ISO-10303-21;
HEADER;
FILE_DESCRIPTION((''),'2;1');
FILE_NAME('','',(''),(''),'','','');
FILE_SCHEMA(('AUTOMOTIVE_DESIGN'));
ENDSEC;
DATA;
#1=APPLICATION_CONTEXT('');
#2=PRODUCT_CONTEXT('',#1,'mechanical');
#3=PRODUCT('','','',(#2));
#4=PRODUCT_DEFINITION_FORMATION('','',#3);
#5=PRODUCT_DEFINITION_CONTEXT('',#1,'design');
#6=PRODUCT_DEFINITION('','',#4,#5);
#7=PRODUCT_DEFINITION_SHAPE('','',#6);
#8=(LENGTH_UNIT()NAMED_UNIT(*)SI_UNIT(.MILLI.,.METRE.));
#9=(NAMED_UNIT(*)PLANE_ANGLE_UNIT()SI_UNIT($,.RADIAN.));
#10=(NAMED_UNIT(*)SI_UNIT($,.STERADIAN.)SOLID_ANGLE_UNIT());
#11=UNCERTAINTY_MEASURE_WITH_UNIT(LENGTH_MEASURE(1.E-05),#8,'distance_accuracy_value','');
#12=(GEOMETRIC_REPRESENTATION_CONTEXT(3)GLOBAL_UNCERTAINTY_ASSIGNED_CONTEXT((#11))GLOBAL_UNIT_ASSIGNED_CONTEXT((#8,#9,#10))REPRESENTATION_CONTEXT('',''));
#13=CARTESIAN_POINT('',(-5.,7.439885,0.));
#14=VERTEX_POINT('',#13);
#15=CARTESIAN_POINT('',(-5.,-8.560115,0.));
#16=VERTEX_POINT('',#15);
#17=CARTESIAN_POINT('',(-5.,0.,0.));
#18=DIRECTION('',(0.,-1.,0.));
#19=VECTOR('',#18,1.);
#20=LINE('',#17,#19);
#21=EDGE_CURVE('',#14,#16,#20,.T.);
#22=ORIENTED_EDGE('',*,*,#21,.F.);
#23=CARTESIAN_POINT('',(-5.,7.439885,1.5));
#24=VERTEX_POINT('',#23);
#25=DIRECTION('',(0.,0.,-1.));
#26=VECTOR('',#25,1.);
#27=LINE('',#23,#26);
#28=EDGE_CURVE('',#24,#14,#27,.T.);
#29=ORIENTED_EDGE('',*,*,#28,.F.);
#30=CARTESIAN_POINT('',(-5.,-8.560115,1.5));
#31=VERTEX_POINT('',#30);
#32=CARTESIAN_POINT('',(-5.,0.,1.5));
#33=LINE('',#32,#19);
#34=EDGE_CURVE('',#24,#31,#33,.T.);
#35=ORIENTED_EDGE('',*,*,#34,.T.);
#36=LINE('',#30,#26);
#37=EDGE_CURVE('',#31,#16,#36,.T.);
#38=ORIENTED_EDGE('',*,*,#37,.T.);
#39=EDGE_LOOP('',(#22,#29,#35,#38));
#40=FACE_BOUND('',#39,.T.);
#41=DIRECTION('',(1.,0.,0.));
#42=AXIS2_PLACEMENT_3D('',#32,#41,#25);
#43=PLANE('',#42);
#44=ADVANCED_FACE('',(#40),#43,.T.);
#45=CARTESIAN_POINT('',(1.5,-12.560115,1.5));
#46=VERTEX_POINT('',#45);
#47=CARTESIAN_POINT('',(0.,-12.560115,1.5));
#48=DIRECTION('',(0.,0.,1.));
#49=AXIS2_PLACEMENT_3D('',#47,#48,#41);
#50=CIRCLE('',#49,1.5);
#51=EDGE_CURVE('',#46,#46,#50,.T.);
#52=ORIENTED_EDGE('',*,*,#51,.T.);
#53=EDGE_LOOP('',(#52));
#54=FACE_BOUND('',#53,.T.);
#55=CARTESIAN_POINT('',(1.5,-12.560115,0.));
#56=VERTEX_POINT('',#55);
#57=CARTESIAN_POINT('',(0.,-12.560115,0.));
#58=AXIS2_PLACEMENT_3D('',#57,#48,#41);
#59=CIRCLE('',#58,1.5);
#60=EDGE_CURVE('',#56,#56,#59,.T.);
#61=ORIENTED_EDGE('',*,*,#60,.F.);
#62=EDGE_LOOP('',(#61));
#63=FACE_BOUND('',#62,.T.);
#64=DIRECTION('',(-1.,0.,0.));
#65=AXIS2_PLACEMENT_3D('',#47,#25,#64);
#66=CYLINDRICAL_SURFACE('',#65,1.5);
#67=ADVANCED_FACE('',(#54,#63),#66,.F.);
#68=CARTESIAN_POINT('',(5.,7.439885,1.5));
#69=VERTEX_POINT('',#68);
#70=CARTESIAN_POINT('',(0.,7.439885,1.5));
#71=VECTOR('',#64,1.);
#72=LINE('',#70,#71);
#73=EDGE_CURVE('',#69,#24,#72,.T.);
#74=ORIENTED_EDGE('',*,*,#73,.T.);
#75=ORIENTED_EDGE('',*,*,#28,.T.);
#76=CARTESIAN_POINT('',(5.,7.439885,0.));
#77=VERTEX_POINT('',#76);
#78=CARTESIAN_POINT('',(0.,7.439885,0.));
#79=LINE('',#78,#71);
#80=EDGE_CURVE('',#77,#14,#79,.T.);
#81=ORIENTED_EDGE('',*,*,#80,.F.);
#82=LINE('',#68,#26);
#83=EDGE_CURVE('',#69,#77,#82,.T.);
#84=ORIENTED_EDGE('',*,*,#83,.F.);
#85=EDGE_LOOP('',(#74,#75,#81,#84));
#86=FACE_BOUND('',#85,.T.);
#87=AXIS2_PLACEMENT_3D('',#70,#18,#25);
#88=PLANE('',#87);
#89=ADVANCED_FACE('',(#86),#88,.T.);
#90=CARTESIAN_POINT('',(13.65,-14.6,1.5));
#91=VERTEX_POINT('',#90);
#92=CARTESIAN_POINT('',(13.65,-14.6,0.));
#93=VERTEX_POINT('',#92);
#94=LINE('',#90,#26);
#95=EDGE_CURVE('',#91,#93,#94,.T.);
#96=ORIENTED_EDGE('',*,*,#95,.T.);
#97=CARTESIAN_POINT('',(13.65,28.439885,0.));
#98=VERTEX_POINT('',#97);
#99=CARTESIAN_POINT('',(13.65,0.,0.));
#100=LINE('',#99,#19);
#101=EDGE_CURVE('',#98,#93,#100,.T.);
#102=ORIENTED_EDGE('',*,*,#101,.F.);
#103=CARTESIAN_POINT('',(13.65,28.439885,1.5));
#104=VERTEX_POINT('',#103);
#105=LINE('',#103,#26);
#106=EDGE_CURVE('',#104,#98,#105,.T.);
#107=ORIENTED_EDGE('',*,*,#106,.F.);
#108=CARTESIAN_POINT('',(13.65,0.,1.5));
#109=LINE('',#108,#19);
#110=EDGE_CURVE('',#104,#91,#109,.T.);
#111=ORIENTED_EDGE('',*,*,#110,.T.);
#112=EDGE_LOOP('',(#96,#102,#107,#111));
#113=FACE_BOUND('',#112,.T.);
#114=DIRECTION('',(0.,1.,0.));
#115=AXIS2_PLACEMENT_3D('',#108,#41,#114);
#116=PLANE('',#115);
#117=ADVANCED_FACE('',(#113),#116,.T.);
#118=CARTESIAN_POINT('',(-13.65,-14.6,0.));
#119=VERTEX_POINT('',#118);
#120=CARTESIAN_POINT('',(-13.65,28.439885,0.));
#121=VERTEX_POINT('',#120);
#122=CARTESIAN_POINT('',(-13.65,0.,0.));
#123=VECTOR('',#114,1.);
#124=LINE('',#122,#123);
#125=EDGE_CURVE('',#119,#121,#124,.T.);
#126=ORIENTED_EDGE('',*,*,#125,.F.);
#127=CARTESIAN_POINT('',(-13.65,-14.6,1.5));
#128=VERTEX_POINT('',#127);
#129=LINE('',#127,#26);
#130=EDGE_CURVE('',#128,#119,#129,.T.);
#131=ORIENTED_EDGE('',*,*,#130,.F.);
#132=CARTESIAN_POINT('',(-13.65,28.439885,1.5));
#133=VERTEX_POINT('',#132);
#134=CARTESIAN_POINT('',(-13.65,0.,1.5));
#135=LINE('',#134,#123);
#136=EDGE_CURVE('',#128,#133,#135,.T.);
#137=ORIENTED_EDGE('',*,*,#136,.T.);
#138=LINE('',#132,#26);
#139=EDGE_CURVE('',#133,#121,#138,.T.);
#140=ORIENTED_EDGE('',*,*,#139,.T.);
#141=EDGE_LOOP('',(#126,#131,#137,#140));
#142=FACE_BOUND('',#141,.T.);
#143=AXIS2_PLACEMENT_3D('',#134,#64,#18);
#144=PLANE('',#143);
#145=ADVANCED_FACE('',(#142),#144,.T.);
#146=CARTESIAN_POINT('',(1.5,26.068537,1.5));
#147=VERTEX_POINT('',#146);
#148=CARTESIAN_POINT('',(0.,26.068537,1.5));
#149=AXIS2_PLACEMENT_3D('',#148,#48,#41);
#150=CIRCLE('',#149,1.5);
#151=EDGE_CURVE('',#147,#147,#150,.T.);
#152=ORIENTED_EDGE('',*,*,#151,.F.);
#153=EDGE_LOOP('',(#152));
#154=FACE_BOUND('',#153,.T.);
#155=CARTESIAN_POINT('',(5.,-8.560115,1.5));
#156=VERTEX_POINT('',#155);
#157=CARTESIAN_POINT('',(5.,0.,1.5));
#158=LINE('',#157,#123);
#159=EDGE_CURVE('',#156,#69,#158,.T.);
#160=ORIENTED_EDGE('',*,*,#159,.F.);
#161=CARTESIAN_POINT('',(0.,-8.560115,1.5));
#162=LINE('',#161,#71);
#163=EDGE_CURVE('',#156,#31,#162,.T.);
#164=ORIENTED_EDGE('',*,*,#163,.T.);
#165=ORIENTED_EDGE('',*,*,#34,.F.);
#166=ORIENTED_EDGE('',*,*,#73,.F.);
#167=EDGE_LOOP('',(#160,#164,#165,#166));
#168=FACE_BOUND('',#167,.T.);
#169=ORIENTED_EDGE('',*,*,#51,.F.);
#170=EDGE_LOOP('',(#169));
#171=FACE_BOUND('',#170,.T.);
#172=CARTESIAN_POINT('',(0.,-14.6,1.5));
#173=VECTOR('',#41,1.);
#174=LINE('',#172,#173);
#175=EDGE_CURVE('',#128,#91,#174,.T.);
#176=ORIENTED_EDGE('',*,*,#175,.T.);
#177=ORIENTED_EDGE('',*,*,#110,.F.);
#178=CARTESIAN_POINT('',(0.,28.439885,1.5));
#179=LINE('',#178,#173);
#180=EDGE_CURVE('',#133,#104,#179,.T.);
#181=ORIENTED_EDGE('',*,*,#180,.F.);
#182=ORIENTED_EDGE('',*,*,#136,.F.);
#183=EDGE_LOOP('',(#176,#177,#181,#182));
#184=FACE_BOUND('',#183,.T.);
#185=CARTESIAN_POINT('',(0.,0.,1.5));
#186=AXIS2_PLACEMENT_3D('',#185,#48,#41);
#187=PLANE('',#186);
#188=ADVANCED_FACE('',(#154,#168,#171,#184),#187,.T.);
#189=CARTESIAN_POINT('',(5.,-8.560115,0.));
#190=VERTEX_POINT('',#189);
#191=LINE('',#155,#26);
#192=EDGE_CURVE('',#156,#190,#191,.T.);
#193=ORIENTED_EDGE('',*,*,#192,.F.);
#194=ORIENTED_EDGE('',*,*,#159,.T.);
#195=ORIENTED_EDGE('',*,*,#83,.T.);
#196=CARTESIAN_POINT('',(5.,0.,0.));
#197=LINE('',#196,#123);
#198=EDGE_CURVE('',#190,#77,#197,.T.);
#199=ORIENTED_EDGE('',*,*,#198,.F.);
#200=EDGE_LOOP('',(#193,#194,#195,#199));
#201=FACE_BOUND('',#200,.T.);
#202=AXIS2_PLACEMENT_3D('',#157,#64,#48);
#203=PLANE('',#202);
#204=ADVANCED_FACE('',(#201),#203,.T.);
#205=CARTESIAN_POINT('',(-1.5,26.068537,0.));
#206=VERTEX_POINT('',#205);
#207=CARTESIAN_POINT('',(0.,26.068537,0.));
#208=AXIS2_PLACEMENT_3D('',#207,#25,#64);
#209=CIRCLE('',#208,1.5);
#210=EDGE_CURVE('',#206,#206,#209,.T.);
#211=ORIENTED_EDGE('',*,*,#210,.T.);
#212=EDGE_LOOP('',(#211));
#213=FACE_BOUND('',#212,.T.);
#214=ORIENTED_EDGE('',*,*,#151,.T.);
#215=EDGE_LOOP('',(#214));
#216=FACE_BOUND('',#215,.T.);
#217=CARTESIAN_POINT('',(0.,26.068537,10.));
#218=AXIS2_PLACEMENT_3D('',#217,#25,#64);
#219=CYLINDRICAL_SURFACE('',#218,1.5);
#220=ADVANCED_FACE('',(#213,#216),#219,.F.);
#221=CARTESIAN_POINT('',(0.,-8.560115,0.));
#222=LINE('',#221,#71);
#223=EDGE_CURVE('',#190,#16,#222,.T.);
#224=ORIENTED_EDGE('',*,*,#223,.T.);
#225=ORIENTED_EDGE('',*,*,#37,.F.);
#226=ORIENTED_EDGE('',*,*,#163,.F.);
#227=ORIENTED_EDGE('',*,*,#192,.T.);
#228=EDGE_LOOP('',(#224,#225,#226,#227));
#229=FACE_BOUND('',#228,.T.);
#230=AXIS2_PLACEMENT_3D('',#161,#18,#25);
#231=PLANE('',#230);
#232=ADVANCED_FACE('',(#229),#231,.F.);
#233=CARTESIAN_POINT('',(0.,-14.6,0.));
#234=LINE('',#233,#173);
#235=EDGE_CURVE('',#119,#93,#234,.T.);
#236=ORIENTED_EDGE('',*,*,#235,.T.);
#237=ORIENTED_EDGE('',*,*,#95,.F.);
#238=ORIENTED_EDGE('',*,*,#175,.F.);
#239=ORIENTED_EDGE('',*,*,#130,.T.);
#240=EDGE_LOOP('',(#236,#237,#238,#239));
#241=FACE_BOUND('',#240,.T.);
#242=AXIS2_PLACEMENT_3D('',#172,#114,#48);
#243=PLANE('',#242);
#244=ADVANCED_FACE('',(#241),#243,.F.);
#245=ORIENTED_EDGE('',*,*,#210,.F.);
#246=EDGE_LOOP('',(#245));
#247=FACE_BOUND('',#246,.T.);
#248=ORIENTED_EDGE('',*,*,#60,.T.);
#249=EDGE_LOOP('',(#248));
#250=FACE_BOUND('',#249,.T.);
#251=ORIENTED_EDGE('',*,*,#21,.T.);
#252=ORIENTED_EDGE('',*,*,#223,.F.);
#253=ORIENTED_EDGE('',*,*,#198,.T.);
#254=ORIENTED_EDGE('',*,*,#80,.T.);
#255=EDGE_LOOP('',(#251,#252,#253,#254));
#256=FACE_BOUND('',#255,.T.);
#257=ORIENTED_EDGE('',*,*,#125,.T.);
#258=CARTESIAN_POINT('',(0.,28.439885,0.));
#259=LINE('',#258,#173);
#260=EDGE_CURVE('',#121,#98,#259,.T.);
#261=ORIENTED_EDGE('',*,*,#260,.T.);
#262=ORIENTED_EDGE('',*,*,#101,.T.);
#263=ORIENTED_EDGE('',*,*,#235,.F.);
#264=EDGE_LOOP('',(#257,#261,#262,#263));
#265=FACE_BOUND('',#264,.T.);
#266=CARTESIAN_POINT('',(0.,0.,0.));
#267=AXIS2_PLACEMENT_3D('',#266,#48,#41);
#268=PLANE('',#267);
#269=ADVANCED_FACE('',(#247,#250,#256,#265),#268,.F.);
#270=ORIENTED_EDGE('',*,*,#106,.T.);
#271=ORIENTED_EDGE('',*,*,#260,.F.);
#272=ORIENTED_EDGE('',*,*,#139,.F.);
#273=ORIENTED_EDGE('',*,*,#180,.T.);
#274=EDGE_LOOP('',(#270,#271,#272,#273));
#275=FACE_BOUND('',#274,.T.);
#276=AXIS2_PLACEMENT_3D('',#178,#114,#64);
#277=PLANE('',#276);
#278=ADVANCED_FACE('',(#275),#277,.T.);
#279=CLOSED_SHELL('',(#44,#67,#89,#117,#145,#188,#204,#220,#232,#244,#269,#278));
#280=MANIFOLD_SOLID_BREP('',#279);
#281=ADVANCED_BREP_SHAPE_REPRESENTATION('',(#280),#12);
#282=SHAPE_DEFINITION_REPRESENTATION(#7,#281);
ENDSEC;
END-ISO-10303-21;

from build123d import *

# Parameters (mm, degrees)
SKETCH_1_R          = 1.5
SKETCH_1_W          = 10
SKETCH_1_H          = 16
EXTRUDE_1_DEPTH     = 1.5
SKETCH_2_R          = 1.5
CUT_EXTRUDE_1_DEPTH = 10


with BuildPart() as part:
    # 草图1 → 凸台-拉伸1 (new body)
    # profile 1 of 2: a face of its own
    with BuildSketch(Plane.XY):
        Polygon((-13.65, 28.439884515), (-13.65, 14.6), (-13.65, -14.6), (13.65, -14.6), (13.65, 14.6), (13.65, 28.439884515), align=None)
        with Locations((0, -12.560115485)):
            Circle(SKETCH_1_R, mode=Mode.SUBTRACT)
        with Locations((0, -0.560115485)):
            Rectangle(SKETCH_1_W, SKETCH_1_H, mode=Mode.SUBTRACT)
    # profile 2 of 2: a face of its own
    with BuildSketch(Plane.XY):
        Polygon((-13.65, 28.439884515), (-13.65, 14.6), (-13.65, -14.6), (13.65, -14.6), (13.65, 14.6), (13.65, 28.439884515), align=None)
        with Locations((0, -12.560115485)):
            Circle(SKETCH_1_R, mode=Mode.SUBTRACT)
        with Locations((0, -0.560115485)):
            Rectangle(SKETCH_1_W, SKETCH_1_H, mode=Mode.SUBTRACT)
    extrude(amount=EXTRUDE_1_DEPTH)

    # 草图2 → 切除-拉伸1 (cut)
    with BuildSketch(Plane(origin=(0, 0, 0), x_dir=(-1, 0, 0), z_dir=(0, 0, -1))):
        with Locations((0, 26.068537202)):
            Circle(SKETCH_2_R)
    extrude(amount=-CUT_EXTRUDE_1_DEPTH, mode=Mode.SUBTRACT)


solid = part.part
